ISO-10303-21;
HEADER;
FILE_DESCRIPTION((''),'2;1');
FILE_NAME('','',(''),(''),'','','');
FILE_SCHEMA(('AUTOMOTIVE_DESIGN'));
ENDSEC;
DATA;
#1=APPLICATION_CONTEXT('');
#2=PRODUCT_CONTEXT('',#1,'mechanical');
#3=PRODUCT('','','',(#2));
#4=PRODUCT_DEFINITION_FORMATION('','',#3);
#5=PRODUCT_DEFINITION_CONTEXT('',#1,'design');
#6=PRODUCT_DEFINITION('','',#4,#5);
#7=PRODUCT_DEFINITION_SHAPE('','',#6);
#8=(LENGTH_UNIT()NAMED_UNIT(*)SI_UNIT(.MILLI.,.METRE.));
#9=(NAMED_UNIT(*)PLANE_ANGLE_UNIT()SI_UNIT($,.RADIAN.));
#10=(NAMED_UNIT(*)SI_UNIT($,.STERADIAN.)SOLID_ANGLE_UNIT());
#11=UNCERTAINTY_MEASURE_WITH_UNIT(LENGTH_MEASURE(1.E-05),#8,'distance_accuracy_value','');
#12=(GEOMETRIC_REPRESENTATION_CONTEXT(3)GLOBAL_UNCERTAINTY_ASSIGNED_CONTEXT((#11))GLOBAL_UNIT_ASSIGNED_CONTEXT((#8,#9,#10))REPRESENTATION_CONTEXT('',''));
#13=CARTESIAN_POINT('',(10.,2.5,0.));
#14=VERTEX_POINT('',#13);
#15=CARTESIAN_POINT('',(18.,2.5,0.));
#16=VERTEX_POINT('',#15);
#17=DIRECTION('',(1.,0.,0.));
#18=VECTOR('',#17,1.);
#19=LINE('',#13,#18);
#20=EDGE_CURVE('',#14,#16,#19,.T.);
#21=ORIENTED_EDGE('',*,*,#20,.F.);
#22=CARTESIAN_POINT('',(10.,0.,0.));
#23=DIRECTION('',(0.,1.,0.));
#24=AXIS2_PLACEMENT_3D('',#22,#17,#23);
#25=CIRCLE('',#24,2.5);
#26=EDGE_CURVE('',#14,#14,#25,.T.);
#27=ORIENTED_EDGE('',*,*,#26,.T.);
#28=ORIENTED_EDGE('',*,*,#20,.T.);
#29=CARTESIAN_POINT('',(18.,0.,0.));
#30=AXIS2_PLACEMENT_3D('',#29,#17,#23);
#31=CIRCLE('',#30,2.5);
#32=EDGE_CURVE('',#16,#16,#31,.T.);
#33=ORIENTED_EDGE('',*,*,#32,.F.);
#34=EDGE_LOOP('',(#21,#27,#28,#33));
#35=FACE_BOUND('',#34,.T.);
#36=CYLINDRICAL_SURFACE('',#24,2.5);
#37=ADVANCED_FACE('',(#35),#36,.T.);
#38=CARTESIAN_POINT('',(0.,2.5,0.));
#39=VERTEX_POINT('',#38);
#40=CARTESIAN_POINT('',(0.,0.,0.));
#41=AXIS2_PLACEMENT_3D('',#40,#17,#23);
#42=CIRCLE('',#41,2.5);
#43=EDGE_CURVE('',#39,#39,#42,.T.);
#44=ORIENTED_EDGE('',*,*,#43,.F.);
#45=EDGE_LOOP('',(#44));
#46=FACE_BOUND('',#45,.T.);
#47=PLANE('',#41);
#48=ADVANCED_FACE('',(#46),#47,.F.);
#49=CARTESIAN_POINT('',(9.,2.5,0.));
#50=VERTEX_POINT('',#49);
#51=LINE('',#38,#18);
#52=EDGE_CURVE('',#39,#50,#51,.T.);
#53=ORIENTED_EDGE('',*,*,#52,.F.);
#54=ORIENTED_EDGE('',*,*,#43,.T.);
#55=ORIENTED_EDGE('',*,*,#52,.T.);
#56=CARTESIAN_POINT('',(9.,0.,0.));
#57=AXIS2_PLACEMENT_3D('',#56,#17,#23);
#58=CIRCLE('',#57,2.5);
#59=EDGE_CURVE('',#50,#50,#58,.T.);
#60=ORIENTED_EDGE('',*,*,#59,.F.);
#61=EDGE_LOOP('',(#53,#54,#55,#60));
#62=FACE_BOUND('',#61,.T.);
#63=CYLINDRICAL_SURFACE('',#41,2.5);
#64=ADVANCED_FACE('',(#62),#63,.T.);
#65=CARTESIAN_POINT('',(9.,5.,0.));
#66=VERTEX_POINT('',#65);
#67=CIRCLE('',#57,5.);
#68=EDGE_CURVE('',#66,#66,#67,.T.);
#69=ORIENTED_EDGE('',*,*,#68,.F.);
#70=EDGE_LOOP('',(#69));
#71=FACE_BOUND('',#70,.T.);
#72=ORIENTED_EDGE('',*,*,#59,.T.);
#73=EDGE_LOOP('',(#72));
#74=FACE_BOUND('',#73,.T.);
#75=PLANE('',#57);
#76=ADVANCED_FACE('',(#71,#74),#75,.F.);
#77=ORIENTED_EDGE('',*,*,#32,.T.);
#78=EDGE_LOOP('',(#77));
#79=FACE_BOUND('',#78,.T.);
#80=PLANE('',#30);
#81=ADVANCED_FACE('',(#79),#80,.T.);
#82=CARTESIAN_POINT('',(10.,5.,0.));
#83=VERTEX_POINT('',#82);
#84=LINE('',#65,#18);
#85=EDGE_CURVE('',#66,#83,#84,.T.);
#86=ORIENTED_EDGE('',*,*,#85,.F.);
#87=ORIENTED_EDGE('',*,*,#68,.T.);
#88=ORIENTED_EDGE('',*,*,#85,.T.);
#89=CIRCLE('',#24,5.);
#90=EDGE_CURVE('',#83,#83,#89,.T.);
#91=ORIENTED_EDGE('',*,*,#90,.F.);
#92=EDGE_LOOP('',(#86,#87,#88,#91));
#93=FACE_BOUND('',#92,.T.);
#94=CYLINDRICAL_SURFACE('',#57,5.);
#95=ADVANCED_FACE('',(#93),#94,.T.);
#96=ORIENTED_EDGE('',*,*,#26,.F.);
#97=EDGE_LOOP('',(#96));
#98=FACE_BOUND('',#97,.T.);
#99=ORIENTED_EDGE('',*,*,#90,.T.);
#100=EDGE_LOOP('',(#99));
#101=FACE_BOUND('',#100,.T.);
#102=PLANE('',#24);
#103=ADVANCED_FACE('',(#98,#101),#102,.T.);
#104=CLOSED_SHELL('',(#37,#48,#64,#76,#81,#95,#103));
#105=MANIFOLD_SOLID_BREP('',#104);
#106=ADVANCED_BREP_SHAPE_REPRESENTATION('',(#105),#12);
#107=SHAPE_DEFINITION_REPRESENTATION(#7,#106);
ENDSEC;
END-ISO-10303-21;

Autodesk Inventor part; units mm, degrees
ref_plane "YZ Plane" through (0, 0, 0) normal (1, 0, 0) x (0, 1, 0)
ref_plane "XZ Plane" through (0, 0, 0) normal (0, 1, 0) x (-1, 0, 0)
ref_plane "XY Plane" through (0, 0, 0) normal (0, 0, 1) x (1, 0, 0)
sketch "Sketch1" plane through (0, 0, 0) normal (0, 0, 1) x (1, 0, 0)
  line L0 (0, 0) -> (18, 0)
  line L1 (0, 0) -> (0, 2.5)
  line L2 (0, 2.5) -> (9, 2.5)
  line L3 (9, 2.5) -> (9, 5)
  line L4 (9, 5) -> (10, 5)
  line L5 (10, 5) -> (10, 2.5)
  line L6 (10, 2.5) -> (18, 2.5)
  line L7 (18, 2.5) -> (18, 0)
  dimension "d0" = 18
  dimension "d1" = 5
  dimension "d2" = 10
  dimension "d3" = 9
  dimension "d4" = 1
revolve "Révolution1" add sketch "Sketch1" angle 360 about axis through (0, 0, 0) along (1, 0, 0)
properties part number "M001" material "Laiton / Messing"
